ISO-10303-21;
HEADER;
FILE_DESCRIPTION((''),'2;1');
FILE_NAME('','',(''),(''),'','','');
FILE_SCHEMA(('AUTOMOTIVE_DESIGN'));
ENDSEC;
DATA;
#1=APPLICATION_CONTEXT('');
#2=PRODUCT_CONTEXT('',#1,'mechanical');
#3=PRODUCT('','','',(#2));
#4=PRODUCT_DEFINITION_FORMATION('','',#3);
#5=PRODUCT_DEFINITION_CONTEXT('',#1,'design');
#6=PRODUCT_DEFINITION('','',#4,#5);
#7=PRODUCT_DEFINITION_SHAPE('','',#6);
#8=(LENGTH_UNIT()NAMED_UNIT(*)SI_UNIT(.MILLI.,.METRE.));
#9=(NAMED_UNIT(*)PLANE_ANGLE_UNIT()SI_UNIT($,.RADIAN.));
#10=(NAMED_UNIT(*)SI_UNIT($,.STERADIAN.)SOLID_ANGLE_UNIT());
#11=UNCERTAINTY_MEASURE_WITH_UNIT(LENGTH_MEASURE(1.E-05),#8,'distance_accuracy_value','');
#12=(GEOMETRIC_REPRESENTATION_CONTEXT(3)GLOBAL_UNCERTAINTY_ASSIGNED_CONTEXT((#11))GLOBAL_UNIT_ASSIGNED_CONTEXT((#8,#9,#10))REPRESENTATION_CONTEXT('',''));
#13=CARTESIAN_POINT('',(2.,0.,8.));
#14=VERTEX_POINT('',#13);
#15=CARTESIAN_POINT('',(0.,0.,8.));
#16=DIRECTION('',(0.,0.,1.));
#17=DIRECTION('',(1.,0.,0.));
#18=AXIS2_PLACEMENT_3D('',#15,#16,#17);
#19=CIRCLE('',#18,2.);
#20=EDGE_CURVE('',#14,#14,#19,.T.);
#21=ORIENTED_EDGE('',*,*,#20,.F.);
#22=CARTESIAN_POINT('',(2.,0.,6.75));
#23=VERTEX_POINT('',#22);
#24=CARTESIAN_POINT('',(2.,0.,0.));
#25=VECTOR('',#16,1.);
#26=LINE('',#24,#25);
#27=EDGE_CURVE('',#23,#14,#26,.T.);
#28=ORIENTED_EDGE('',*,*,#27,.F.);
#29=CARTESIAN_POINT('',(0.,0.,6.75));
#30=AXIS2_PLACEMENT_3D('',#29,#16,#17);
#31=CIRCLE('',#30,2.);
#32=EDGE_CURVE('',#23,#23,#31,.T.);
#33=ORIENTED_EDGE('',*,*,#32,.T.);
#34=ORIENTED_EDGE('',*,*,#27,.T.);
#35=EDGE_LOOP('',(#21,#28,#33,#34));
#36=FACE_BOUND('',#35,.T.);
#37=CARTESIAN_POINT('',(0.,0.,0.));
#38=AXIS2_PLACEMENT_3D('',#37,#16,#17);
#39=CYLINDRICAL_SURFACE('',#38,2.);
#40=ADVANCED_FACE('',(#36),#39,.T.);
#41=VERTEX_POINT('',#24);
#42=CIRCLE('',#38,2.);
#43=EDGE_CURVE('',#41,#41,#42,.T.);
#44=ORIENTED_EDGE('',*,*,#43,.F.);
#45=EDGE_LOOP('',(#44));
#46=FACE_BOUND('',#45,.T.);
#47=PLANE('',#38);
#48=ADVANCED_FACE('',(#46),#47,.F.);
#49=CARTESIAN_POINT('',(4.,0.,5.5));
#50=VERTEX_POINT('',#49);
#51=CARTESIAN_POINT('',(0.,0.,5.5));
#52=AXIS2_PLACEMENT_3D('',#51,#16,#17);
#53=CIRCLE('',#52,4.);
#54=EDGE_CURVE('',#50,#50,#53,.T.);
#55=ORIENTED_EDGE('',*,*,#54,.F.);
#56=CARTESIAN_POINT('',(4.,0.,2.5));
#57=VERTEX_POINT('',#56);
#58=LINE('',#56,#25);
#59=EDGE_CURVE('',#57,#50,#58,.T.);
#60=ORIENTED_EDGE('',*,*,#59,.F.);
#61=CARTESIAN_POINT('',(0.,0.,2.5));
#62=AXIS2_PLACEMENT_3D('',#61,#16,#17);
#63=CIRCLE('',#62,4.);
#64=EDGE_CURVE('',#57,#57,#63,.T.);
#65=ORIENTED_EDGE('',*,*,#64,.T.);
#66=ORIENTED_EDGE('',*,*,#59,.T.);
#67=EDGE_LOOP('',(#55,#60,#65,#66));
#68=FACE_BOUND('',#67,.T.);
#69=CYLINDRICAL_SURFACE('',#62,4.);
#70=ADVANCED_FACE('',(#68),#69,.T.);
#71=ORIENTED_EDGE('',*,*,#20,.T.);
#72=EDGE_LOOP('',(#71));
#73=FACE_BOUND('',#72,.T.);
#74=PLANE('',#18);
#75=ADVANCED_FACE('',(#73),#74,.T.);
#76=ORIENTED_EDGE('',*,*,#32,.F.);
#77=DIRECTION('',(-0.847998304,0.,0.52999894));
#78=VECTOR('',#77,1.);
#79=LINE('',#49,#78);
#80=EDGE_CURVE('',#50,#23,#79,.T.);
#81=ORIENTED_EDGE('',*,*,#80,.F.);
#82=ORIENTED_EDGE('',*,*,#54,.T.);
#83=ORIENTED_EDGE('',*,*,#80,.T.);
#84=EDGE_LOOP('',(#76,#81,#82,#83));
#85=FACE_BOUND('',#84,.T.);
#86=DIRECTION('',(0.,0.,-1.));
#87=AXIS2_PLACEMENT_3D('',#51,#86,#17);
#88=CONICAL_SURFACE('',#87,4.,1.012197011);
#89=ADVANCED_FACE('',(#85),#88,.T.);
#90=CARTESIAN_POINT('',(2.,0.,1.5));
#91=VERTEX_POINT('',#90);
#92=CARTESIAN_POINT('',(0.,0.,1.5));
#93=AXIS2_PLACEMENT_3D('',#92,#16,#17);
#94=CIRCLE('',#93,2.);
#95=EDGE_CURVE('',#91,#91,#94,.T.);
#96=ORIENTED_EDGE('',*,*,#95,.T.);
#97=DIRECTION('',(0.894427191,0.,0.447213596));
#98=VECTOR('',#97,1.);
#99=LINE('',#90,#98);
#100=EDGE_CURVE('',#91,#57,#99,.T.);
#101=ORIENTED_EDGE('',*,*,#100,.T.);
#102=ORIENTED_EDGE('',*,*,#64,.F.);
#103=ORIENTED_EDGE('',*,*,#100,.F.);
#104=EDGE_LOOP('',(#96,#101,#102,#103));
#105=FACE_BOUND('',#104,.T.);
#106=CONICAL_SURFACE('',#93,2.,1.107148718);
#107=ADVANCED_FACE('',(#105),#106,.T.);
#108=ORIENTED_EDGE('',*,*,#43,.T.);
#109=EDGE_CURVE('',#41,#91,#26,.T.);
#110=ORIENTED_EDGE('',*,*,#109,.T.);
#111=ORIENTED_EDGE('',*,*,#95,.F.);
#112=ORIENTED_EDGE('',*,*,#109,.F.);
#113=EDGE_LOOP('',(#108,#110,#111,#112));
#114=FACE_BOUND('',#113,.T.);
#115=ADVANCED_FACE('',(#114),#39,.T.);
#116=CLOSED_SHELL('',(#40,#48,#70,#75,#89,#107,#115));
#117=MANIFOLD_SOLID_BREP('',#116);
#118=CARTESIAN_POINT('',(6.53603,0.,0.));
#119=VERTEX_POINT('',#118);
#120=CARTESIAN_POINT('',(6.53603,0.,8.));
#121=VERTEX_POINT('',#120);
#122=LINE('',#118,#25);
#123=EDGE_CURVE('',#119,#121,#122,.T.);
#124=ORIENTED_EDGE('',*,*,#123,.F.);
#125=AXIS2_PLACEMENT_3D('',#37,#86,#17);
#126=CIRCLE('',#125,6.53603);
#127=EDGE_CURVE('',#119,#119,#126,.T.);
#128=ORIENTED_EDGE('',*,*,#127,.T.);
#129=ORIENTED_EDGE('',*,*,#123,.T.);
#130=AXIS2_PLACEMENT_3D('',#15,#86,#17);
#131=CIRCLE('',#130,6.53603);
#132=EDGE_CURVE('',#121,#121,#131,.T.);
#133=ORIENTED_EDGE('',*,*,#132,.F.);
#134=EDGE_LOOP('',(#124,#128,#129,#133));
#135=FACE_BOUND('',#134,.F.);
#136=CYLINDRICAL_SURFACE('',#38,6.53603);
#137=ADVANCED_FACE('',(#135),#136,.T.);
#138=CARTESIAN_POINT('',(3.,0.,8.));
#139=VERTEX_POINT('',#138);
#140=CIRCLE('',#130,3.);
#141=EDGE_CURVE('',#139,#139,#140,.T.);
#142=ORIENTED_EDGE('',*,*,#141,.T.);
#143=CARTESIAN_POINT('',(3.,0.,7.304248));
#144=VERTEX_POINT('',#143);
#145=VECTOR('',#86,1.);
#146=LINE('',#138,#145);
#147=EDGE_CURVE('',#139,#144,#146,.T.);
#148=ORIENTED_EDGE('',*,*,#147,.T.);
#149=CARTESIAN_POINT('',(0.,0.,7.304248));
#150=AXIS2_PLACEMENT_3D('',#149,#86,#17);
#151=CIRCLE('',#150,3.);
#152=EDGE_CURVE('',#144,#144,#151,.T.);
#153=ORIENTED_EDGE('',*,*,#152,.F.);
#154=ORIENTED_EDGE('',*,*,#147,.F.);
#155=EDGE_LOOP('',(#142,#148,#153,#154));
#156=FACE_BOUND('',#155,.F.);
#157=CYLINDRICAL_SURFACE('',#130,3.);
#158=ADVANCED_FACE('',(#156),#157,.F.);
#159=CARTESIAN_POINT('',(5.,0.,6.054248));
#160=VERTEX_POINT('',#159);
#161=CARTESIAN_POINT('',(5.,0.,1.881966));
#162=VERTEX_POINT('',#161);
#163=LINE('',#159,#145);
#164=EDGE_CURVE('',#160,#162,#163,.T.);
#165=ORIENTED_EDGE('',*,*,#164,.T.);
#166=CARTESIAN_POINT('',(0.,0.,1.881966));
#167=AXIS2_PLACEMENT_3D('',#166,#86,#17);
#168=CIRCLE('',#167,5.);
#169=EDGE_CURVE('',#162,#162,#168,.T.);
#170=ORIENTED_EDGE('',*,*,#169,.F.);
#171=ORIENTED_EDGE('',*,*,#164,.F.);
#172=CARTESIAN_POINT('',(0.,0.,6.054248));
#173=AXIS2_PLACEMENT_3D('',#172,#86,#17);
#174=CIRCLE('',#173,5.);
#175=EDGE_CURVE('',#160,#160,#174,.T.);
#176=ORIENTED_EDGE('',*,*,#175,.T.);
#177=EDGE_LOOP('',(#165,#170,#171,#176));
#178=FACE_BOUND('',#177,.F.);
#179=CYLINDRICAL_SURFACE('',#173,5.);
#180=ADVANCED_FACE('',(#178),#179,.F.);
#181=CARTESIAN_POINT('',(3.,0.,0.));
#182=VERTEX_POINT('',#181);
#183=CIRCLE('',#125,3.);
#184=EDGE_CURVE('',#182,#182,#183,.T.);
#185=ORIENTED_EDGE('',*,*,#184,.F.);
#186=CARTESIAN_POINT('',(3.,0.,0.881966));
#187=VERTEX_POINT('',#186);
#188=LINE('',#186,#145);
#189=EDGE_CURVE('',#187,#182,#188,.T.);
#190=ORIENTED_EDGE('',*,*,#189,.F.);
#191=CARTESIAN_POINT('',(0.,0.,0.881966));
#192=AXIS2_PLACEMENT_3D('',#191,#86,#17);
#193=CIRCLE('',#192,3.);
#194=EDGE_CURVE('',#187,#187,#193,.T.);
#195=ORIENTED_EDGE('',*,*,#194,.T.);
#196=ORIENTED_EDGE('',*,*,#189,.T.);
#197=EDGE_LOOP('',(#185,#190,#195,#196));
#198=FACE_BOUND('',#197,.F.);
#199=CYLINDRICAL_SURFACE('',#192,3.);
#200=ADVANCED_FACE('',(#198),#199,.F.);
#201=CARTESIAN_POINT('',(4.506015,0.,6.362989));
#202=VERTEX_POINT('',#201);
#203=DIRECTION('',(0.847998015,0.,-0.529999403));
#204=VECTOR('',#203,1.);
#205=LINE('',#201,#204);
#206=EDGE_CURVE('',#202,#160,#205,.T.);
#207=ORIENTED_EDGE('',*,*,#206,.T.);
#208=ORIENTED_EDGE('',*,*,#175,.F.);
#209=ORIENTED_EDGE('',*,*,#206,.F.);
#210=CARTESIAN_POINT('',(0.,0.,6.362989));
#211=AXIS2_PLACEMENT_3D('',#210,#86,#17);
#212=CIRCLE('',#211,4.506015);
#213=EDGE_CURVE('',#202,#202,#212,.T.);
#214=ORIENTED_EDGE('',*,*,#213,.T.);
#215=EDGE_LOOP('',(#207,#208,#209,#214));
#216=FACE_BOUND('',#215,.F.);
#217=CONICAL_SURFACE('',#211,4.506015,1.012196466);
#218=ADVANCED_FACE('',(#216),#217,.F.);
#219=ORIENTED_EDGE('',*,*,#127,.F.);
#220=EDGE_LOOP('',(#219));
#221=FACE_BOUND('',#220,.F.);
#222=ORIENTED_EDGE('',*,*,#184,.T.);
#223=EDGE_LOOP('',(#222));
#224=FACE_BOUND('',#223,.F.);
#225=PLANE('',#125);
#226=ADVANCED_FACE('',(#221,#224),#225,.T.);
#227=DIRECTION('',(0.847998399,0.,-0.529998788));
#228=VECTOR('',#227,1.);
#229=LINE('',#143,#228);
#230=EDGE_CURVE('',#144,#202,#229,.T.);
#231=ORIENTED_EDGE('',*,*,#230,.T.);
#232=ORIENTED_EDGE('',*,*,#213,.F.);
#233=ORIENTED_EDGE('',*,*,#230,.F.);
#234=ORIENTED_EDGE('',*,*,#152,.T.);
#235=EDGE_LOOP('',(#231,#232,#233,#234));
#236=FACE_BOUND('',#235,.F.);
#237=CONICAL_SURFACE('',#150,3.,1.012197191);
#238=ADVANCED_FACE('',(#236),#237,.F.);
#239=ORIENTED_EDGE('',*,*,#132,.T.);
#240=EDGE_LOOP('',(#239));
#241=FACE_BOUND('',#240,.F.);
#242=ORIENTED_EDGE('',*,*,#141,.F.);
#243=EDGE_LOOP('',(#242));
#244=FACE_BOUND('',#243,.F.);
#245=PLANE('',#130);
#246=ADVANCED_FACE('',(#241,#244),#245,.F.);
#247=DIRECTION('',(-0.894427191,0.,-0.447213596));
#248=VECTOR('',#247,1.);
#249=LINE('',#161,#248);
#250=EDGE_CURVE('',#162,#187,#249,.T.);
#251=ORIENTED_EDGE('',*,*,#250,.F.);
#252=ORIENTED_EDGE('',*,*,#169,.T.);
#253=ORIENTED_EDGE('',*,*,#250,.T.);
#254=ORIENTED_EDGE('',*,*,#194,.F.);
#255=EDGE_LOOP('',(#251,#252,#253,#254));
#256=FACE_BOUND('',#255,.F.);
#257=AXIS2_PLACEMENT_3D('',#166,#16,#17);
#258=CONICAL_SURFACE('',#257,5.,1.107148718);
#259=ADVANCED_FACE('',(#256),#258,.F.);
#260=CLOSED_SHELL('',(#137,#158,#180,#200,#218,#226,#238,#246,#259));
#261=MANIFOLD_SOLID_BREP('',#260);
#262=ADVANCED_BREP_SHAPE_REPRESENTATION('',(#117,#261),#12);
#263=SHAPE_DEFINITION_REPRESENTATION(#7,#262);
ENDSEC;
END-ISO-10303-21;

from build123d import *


with BuildPart() as f1:
    # F0 (on Front) → F1 (revolve)
    with BuildSketch(Plane.XZ):
        Polygon((0, 8), (0, 0), (2, 0), (2, 1.5), (2, 2.5), (2, 5.5), (2, 6.75), (2, 8), align=None)
        Polygon((2, 2.5), (2, 1.5), (4, 2.5), align=None)
        Polygon((4, 5.5), (2, 6.75), (2, 5.5), align=None)
        Polygon((2, 5.5), (2, 2.5), (4, 2.5), (4, 4), (4, 5.5), align=None)
    revolve(axis=Axis((0, 0, 4), (0, 0, 1)))


with BuildPart() as f3:
    # F2 (on Front) → F3 (revolve)
    with BuildSketch(Plane.XZ):
        Polygon((6.53603, 8), (3, 8), (3, 7.304248), (4.506015, 6.362989), (5, 6.054248), (5, 5.5), (5, 2.5), (5, 1.881966), (4.438204, 1.601068), (3, 0.881966), (3, 0), (6.53603, 0), align=None)
    revolve(axis=Axis((0, 0, 4), (0, 0, -1)))


solid = Compound([f1.part, f3.part])
